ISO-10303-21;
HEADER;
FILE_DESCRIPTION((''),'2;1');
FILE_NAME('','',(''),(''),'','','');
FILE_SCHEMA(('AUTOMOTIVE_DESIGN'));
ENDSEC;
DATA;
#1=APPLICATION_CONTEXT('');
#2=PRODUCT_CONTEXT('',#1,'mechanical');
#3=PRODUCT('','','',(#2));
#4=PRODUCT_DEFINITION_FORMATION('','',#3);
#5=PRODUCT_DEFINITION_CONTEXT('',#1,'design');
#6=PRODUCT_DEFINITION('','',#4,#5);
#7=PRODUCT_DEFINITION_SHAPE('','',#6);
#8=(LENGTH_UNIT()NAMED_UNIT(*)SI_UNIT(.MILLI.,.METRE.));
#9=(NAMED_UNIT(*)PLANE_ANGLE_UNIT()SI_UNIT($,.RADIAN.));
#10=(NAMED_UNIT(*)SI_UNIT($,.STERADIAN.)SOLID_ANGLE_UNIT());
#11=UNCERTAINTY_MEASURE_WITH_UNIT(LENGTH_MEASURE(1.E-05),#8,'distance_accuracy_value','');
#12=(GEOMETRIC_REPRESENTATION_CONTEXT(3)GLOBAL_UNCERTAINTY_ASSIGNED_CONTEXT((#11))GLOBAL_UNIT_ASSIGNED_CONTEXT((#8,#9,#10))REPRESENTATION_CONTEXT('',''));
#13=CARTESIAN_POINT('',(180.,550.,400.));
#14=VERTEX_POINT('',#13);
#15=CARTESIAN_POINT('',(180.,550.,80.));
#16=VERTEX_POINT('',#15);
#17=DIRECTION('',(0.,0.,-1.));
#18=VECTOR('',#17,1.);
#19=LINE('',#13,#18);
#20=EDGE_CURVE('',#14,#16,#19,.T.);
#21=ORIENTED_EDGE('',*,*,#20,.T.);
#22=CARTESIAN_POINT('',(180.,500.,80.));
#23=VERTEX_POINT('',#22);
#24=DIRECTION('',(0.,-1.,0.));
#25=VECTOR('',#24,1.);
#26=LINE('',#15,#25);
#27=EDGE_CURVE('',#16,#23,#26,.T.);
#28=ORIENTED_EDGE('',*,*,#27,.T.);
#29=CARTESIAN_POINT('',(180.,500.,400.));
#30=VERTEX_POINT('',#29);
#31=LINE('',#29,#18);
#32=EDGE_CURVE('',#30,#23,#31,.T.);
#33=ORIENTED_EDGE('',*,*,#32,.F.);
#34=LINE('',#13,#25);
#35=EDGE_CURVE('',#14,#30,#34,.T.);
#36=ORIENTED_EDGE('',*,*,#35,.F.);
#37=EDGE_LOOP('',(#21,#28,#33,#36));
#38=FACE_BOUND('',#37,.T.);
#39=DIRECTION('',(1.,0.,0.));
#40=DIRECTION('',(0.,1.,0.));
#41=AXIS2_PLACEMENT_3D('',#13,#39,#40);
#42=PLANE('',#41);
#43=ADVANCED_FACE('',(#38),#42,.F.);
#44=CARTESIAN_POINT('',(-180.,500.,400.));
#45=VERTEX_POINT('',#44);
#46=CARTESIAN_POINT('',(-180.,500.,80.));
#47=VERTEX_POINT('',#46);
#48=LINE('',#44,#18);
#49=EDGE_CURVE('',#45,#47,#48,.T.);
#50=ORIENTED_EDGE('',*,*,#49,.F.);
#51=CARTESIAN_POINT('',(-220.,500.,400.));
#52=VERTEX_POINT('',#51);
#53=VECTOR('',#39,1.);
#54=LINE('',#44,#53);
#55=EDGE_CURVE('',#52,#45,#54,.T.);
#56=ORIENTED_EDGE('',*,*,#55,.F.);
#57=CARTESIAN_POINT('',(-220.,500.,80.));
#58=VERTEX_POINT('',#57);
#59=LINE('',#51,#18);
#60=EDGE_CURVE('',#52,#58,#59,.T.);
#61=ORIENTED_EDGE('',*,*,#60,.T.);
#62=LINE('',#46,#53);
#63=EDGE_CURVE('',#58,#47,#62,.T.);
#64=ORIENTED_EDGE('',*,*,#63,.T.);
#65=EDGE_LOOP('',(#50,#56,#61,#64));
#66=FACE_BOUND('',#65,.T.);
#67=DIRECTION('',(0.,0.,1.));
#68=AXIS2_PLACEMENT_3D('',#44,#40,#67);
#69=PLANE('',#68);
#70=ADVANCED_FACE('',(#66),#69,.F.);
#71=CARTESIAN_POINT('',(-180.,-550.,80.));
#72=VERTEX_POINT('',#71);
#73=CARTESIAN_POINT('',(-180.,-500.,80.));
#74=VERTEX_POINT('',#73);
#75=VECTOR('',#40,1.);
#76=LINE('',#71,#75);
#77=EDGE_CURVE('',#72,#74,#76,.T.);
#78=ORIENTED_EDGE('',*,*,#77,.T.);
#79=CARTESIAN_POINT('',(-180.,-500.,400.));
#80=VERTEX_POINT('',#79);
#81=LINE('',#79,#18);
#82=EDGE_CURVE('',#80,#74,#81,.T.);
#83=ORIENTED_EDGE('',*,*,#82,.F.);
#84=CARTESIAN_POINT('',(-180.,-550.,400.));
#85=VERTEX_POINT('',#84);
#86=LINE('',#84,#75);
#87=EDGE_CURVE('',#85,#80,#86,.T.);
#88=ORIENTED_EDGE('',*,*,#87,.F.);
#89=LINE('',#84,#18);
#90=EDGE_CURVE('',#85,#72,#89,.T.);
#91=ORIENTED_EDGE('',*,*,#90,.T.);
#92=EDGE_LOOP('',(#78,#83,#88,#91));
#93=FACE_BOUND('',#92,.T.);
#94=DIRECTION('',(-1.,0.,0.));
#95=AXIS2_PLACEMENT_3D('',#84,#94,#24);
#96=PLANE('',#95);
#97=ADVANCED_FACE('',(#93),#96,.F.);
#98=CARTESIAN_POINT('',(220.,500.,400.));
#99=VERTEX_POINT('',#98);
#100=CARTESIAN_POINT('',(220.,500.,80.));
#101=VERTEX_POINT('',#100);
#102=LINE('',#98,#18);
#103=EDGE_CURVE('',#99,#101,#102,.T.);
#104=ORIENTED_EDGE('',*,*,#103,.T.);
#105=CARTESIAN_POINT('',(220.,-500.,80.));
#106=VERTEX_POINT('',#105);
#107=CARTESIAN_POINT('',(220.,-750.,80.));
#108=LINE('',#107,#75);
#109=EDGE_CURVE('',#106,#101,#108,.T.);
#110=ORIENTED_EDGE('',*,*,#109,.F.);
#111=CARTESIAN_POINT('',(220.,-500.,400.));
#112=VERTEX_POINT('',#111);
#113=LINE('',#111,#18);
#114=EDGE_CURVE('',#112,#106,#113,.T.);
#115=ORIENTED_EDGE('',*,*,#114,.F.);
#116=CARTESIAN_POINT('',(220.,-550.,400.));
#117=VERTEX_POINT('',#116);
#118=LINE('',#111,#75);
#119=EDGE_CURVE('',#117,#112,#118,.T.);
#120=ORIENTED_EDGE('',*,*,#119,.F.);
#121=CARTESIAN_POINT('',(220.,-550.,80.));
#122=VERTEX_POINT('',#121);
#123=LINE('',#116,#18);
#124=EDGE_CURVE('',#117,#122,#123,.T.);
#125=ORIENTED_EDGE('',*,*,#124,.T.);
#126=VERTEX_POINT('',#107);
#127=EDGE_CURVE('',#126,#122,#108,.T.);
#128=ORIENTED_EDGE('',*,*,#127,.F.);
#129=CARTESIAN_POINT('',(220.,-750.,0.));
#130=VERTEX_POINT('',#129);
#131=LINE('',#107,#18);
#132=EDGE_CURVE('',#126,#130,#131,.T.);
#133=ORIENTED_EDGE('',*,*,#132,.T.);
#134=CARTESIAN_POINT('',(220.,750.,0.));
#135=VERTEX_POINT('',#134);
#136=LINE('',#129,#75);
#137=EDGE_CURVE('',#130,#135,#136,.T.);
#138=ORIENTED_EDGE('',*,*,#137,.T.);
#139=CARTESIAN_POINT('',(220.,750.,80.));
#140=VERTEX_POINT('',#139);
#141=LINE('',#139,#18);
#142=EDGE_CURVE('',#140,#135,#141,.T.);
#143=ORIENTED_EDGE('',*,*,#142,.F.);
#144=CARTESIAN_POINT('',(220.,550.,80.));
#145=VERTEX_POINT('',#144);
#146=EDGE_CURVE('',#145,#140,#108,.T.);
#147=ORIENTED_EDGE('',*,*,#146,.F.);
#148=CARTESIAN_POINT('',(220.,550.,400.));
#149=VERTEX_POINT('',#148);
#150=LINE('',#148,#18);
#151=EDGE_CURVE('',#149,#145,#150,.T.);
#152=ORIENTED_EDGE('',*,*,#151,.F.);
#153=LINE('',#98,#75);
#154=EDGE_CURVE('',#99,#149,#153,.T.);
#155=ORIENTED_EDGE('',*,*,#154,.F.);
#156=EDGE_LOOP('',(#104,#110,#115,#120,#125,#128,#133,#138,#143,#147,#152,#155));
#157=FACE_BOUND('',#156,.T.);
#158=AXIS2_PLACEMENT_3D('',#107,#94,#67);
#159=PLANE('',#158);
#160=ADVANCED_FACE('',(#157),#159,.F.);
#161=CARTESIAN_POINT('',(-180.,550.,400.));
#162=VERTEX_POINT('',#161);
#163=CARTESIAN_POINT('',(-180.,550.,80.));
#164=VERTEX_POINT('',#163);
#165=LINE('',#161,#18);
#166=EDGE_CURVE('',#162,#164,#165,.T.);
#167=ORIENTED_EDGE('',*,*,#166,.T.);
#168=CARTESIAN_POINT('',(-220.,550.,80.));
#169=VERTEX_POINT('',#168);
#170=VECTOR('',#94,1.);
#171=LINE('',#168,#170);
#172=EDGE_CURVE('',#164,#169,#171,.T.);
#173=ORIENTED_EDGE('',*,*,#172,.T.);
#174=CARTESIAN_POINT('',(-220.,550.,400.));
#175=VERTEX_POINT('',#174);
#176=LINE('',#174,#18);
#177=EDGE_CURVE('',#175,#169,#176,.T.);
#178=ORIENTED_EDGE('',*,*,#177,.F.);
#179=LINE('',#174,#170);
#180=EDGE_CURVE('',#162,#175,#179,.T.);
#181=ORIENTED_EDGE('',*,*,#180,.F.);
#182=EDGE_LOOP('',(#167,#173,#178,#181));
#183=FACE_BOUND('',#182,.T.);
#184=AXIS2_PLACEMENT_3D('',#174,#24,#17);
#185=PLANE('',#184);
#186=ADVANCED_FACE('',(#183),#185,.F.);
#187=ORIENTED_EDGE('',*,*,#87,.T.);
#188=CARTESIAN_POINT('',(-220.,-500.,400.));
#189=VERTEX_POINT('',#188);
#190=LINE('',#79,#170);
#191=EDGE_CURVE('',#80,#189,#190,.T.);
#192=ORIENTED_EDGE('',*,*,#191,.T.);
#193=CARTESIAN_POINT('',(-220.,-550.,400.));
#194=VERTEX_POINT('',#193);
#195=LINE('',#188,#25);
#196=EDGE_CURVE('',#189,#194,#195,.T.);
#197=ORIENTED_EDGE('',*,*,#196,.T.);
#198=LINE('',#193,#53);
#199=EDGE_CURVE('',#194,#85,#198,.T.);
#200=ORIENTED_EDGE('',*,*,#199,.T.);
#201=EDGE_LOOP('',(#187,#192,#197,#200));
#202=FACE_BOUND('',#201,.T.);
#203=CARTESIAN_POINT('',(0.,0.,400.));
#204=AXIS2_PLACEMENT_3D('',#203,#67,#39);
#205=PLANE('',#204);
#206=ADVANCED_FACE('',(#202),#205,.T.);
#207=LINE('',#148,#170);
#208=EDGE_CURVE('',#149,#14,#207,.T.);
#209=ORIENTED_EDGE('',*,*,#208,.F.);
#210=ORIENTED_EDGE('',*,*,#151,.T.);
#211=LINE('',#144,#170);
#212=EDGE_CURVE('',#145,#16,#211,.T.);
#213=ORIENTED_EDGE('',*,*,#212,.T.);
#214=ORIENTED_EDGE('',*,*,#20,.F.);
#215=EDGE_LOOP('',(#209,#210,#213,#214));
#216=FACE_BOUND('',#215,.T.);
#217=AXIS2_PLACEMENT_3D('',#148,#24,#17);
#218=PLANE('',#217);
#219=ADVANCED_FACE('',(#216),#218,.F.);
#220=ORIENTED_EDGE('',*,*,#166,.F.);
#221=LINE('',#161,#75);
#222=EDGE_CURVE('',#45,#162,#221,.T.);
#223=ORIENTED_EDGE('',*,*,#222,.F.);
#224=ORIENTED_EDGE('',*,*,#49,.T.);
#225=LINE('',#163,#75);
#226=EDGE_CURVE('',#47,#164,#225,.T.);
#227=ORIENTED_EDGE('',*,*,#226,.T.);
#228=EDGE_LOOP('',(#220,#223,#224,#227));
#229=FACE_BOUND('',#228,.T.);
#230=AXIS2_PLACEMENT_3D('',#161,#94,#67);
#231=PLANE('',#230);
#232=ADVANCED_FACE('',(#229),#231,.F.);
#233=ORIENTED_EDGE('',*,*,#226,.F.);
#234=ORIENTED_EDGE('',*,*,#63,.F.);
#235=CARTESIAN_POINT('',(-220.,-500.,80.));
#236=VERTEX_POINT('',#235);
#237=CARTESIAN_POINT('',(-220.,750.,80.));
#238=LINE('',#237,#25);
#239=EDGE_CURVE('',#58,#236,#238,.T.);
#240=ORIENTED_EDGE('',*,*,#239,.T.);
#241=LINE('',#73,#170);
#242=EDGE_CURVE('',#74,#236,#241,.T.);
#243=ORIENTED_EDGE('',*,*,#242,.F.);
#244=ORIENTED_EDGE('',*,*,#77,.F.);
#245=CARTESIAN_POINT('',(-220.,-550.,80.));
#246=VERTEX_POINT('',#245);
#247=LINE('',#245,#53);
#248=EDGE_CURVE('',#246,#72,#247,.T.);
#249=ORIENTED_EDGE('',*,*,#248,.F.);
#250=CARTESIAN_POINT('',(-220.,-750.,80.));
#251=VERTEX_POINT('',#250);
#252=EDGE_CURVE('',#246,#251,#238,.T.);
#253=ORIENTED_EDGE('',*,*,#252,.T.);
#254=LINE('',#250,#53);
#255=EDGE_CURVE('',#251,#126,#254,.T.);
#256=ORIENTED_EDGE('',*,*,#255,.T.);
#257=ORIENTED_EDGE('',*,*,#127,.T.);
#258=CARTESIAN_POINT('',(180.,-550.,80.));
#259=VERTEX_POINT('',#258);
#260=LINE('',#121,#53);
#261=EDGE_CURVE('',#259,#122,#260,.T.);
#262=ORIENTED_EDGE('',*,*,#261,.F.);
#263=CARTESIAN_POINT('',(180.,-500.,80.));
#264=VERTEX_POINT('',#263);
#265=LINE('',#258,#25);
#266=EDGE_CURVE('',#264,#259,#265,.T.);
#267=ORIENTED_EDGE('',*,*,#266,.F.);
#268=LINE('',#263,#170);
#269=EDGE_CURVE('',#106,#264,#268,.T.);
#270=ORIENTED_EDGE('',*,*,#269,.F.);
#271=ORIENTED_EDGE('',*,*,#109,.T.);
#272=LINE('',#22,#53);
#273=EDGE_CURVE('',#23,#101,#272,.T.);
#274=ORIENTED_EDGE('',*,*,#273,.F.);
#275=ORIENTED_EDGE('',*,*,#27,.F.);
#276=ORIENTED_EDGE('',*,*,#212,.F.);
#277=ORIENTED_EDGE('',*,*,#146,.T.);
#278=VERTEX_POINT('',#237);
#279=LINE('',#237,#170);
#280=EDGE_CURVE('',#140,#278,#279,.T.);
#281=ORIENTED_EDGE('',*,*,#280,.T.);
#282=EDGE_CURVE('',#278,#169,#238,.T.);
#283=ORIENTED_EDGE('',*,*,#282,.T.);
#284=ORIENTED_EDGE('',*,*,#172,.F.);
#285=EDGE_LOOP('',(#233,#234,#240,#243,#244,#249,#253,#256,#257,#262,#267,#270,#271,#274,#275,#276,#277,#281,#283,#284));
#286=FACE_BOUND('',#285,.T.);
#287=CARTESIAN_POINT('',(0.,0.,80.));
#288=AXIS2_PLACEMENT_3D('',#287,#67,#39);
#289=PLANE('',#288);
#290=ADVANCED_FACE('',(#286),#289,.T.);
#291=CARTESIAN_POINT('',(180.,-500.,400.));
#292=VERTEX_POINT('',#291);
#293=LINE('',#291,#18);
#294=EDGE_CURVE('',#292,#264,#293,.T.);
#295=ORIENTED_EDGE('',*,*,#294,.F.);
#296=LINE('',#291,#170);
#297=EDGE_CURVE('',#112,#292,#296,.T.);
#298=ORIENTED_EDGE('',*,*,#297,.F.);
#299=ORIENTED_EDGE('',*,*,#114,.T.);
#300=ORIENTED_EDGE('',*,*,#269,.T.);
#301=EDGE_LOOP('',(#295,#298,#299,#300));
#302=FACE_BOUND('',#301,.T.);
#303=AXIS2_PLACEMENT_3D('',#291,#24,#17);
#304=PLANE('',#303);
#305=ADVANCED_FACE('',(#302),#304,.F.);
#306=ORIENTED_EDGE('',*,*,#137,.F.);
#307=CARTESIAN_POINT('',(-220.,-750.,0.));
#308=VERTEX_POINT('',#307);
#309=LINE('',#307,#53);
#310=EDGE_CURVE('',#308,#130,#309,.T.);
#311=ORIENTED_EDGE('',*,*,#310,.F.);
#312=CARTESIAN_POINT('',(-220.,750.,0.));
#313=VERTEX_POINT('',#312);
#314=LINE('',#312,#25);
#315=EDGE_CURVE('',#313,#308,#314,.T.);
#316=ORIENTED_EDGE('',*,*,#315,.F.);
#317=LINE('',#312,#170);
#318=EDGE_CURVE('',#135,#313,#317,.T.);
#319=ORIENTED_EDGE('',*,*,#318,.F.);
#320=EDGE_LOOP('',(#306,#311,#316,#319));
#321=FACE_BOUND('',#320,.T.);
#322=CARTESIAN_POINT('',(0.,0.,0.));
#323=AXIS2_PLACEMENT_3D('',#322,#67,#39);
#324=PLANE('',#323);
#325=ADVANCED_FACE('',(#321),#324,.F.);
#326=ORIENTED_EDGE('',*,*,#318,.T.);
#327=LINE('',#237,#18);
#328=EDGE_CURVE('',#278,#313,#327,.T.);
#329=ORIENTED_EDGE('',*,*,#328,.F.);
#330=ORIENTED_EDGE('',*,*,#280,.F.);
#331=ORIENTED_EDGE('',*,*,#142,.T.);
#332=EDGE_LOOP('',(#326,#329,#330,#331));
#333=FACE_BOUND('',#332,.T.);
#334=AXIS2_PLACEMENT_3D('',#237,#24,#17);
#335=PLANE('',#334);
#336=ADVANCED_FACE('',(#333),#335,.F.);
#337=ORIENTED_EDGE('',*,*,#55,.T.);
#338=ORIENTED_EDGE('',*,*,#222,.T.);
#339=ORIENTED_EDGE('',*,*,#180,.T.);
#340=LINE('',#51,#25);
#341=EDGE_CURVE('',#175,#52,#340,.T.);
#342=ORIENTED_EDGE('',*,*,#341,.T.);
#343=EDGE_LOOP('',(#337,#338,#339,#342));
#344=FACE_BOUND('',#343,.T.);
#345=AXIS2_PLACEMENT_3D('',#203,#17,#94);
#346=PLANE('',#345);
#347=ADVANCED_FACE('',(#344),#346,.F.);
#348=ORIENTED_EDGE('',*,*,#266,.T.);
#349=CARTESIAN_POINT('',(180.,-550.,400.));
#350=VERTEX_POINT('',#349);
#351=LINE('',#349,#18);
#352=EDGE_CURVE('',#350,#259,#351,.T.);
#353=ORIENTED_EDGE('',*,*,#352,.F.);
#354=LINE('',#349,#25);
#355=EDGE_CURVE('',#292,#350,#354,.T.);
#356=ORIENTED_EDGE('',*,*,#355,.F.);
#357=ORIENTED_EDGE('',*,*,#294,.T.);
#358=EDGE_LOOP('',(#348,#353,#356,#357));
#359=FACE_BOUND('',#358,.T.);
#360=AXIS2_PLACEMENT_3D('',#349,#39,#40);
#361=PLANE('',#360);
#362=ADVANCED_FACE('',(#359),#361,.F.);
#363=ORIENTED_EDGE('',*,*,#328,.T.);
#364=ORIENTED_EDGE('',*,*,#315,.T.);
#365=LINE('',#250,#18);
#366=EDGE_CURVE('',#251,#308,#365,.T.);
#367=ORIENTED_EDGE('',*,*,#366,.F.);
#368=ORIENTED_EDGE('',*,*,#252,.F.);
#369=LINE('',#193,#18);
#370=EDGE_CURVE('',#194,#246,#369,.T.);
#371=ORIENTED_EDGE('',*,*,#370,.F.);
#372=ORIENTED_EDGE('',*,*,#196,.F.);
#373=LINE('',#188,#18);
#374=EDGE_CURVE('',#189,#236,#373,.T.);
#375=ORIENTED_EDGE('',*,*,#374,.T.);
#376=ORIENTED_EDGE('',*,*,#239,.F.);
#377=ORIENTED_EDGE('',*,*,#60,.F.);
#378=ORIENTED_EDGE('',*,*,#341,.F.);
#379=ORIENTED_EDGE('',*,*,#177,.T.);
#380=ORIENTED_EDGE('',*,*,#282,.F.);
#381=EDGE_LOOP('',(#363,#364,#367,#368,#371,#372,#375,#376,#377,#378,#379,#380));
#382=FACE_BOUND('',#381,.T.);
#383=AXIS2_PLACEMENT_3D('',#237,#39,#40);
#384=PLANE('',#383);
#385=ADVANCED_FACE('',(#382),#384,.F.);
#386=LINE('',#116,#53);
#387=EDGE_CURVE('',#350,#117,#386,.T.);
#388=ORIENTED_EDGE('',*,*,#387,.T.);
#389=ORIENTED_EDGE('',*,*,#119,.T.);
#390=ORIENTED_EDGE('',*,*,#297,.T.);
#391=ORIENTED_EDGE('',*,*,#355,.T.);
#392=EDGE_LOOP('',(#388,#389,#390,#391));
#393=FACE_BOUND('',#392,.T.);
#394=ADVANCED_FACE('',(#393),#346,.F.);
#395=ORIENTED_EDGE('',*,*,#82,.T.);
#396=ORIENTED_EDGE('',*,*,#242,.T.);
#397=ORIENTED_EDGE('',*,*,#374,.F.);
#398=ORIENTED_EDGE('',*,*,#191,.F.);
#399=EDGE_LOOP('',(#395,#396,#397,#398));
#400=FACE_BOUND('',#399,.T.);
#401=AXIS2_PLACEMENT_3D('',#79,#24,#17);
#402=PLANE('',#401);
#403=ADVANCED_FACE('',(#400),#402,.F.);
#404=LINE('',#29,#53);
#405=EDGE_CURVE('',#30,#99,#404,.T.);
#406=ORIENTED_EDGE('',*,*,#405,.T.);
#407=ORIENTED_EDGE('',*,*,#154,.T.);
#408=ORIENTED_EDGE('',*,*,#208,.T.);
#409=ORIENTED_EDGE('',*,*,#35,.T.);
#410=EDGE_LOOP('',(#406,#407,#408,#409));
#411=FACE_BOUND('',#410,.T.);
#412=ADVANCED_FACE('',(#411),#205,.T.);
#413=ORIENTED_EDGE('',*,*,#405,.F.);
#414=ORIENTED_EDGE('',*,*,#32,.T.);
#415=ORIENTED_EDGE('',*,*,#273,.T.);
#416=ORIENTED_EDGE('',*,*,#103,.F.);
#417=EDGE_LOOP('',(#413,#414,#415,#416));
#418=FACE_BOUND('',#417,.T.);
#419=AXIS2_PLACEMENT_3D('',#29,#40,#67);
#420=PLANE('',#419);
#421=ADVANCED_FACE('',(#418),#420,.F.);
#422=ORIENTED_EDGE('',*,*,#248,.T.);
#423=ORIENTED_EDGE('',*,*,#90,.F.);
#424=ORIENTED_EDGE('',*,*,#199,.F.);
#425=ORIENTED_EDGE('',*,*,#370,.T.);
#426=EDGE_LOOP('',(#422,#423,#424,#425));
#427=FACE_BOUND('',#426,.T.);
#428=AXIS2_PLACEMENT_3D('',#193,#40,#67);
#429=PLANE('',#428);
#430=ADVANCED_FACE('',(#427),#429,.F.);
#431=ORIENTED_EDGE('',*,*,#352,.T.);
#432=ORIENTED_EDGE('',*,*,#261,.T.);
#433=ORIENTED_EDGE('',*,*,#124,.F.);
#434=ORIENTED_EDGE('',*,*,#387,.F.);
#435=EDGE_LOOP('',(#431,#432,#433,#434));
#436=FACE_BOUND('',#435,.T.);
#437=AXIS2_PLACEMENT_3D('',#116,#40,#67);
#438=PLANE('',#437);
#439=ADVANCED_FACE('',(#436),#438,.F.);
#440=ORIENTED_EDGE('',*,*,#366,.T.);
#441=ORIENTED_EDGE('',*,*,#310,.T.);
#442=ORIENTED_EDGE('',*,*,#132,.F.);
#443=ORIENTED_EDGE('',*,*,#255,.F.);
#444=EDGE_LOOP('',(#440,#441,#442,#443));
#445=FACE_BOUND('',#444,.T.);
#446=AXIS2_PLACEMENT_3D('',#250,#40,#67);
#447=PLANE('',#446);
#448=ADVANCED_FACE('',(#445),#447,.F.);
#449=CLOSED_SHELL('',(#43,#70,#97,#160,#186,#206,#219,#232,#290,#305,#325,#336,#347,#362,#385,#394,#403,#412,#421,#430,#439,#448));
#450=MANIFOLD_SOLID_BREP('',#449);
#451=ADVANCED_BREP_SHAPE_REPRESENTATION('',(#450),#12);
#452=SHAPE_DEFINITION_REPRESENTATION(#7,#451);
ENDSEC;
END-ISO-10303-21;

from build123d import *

# Parameters (mm, degrees)
SKETCH1_W           = 440
SKETCH1_H           = 1500
BOSS_EXTRUDE1_DEPTH = 80
SKETCH4_W           = 40
SKETCH4_H           = 50
BOSS_EXTRUDE4_DEPTH = 320


with BuildPart() as part:
    # Sketch1 → Boss-Extrude1 (new body)
    with BuildSketch(Plane.XY):
        Rectangle(SKETCH1_W, SKETCH1_H)
    extrude(amount=BOSS_EXTRUDE1_DEPTH)

    # Sketch4 → Boss-Extrude4 (add)
    with BuildSketch(Plane.XY.offset(80)):
        with Locations((-200, 525)):
            Rectangle(SKETCH4_W, SKETCH4_H)
        with Locations((-200, -525)):
            Rectangle(SKETCH4_W, SKETCH4_H)
        with Locations((200, -525)):
            Rectangle(SKETCH4_W, SKETCH4_H)
        with Locations((200, 525)):
            Rectangle(SKETCH4_W, SKETCH4_H)
    extrude(amount=BOSS_EXTRUDE4_DEPTH)


solid = part.part
